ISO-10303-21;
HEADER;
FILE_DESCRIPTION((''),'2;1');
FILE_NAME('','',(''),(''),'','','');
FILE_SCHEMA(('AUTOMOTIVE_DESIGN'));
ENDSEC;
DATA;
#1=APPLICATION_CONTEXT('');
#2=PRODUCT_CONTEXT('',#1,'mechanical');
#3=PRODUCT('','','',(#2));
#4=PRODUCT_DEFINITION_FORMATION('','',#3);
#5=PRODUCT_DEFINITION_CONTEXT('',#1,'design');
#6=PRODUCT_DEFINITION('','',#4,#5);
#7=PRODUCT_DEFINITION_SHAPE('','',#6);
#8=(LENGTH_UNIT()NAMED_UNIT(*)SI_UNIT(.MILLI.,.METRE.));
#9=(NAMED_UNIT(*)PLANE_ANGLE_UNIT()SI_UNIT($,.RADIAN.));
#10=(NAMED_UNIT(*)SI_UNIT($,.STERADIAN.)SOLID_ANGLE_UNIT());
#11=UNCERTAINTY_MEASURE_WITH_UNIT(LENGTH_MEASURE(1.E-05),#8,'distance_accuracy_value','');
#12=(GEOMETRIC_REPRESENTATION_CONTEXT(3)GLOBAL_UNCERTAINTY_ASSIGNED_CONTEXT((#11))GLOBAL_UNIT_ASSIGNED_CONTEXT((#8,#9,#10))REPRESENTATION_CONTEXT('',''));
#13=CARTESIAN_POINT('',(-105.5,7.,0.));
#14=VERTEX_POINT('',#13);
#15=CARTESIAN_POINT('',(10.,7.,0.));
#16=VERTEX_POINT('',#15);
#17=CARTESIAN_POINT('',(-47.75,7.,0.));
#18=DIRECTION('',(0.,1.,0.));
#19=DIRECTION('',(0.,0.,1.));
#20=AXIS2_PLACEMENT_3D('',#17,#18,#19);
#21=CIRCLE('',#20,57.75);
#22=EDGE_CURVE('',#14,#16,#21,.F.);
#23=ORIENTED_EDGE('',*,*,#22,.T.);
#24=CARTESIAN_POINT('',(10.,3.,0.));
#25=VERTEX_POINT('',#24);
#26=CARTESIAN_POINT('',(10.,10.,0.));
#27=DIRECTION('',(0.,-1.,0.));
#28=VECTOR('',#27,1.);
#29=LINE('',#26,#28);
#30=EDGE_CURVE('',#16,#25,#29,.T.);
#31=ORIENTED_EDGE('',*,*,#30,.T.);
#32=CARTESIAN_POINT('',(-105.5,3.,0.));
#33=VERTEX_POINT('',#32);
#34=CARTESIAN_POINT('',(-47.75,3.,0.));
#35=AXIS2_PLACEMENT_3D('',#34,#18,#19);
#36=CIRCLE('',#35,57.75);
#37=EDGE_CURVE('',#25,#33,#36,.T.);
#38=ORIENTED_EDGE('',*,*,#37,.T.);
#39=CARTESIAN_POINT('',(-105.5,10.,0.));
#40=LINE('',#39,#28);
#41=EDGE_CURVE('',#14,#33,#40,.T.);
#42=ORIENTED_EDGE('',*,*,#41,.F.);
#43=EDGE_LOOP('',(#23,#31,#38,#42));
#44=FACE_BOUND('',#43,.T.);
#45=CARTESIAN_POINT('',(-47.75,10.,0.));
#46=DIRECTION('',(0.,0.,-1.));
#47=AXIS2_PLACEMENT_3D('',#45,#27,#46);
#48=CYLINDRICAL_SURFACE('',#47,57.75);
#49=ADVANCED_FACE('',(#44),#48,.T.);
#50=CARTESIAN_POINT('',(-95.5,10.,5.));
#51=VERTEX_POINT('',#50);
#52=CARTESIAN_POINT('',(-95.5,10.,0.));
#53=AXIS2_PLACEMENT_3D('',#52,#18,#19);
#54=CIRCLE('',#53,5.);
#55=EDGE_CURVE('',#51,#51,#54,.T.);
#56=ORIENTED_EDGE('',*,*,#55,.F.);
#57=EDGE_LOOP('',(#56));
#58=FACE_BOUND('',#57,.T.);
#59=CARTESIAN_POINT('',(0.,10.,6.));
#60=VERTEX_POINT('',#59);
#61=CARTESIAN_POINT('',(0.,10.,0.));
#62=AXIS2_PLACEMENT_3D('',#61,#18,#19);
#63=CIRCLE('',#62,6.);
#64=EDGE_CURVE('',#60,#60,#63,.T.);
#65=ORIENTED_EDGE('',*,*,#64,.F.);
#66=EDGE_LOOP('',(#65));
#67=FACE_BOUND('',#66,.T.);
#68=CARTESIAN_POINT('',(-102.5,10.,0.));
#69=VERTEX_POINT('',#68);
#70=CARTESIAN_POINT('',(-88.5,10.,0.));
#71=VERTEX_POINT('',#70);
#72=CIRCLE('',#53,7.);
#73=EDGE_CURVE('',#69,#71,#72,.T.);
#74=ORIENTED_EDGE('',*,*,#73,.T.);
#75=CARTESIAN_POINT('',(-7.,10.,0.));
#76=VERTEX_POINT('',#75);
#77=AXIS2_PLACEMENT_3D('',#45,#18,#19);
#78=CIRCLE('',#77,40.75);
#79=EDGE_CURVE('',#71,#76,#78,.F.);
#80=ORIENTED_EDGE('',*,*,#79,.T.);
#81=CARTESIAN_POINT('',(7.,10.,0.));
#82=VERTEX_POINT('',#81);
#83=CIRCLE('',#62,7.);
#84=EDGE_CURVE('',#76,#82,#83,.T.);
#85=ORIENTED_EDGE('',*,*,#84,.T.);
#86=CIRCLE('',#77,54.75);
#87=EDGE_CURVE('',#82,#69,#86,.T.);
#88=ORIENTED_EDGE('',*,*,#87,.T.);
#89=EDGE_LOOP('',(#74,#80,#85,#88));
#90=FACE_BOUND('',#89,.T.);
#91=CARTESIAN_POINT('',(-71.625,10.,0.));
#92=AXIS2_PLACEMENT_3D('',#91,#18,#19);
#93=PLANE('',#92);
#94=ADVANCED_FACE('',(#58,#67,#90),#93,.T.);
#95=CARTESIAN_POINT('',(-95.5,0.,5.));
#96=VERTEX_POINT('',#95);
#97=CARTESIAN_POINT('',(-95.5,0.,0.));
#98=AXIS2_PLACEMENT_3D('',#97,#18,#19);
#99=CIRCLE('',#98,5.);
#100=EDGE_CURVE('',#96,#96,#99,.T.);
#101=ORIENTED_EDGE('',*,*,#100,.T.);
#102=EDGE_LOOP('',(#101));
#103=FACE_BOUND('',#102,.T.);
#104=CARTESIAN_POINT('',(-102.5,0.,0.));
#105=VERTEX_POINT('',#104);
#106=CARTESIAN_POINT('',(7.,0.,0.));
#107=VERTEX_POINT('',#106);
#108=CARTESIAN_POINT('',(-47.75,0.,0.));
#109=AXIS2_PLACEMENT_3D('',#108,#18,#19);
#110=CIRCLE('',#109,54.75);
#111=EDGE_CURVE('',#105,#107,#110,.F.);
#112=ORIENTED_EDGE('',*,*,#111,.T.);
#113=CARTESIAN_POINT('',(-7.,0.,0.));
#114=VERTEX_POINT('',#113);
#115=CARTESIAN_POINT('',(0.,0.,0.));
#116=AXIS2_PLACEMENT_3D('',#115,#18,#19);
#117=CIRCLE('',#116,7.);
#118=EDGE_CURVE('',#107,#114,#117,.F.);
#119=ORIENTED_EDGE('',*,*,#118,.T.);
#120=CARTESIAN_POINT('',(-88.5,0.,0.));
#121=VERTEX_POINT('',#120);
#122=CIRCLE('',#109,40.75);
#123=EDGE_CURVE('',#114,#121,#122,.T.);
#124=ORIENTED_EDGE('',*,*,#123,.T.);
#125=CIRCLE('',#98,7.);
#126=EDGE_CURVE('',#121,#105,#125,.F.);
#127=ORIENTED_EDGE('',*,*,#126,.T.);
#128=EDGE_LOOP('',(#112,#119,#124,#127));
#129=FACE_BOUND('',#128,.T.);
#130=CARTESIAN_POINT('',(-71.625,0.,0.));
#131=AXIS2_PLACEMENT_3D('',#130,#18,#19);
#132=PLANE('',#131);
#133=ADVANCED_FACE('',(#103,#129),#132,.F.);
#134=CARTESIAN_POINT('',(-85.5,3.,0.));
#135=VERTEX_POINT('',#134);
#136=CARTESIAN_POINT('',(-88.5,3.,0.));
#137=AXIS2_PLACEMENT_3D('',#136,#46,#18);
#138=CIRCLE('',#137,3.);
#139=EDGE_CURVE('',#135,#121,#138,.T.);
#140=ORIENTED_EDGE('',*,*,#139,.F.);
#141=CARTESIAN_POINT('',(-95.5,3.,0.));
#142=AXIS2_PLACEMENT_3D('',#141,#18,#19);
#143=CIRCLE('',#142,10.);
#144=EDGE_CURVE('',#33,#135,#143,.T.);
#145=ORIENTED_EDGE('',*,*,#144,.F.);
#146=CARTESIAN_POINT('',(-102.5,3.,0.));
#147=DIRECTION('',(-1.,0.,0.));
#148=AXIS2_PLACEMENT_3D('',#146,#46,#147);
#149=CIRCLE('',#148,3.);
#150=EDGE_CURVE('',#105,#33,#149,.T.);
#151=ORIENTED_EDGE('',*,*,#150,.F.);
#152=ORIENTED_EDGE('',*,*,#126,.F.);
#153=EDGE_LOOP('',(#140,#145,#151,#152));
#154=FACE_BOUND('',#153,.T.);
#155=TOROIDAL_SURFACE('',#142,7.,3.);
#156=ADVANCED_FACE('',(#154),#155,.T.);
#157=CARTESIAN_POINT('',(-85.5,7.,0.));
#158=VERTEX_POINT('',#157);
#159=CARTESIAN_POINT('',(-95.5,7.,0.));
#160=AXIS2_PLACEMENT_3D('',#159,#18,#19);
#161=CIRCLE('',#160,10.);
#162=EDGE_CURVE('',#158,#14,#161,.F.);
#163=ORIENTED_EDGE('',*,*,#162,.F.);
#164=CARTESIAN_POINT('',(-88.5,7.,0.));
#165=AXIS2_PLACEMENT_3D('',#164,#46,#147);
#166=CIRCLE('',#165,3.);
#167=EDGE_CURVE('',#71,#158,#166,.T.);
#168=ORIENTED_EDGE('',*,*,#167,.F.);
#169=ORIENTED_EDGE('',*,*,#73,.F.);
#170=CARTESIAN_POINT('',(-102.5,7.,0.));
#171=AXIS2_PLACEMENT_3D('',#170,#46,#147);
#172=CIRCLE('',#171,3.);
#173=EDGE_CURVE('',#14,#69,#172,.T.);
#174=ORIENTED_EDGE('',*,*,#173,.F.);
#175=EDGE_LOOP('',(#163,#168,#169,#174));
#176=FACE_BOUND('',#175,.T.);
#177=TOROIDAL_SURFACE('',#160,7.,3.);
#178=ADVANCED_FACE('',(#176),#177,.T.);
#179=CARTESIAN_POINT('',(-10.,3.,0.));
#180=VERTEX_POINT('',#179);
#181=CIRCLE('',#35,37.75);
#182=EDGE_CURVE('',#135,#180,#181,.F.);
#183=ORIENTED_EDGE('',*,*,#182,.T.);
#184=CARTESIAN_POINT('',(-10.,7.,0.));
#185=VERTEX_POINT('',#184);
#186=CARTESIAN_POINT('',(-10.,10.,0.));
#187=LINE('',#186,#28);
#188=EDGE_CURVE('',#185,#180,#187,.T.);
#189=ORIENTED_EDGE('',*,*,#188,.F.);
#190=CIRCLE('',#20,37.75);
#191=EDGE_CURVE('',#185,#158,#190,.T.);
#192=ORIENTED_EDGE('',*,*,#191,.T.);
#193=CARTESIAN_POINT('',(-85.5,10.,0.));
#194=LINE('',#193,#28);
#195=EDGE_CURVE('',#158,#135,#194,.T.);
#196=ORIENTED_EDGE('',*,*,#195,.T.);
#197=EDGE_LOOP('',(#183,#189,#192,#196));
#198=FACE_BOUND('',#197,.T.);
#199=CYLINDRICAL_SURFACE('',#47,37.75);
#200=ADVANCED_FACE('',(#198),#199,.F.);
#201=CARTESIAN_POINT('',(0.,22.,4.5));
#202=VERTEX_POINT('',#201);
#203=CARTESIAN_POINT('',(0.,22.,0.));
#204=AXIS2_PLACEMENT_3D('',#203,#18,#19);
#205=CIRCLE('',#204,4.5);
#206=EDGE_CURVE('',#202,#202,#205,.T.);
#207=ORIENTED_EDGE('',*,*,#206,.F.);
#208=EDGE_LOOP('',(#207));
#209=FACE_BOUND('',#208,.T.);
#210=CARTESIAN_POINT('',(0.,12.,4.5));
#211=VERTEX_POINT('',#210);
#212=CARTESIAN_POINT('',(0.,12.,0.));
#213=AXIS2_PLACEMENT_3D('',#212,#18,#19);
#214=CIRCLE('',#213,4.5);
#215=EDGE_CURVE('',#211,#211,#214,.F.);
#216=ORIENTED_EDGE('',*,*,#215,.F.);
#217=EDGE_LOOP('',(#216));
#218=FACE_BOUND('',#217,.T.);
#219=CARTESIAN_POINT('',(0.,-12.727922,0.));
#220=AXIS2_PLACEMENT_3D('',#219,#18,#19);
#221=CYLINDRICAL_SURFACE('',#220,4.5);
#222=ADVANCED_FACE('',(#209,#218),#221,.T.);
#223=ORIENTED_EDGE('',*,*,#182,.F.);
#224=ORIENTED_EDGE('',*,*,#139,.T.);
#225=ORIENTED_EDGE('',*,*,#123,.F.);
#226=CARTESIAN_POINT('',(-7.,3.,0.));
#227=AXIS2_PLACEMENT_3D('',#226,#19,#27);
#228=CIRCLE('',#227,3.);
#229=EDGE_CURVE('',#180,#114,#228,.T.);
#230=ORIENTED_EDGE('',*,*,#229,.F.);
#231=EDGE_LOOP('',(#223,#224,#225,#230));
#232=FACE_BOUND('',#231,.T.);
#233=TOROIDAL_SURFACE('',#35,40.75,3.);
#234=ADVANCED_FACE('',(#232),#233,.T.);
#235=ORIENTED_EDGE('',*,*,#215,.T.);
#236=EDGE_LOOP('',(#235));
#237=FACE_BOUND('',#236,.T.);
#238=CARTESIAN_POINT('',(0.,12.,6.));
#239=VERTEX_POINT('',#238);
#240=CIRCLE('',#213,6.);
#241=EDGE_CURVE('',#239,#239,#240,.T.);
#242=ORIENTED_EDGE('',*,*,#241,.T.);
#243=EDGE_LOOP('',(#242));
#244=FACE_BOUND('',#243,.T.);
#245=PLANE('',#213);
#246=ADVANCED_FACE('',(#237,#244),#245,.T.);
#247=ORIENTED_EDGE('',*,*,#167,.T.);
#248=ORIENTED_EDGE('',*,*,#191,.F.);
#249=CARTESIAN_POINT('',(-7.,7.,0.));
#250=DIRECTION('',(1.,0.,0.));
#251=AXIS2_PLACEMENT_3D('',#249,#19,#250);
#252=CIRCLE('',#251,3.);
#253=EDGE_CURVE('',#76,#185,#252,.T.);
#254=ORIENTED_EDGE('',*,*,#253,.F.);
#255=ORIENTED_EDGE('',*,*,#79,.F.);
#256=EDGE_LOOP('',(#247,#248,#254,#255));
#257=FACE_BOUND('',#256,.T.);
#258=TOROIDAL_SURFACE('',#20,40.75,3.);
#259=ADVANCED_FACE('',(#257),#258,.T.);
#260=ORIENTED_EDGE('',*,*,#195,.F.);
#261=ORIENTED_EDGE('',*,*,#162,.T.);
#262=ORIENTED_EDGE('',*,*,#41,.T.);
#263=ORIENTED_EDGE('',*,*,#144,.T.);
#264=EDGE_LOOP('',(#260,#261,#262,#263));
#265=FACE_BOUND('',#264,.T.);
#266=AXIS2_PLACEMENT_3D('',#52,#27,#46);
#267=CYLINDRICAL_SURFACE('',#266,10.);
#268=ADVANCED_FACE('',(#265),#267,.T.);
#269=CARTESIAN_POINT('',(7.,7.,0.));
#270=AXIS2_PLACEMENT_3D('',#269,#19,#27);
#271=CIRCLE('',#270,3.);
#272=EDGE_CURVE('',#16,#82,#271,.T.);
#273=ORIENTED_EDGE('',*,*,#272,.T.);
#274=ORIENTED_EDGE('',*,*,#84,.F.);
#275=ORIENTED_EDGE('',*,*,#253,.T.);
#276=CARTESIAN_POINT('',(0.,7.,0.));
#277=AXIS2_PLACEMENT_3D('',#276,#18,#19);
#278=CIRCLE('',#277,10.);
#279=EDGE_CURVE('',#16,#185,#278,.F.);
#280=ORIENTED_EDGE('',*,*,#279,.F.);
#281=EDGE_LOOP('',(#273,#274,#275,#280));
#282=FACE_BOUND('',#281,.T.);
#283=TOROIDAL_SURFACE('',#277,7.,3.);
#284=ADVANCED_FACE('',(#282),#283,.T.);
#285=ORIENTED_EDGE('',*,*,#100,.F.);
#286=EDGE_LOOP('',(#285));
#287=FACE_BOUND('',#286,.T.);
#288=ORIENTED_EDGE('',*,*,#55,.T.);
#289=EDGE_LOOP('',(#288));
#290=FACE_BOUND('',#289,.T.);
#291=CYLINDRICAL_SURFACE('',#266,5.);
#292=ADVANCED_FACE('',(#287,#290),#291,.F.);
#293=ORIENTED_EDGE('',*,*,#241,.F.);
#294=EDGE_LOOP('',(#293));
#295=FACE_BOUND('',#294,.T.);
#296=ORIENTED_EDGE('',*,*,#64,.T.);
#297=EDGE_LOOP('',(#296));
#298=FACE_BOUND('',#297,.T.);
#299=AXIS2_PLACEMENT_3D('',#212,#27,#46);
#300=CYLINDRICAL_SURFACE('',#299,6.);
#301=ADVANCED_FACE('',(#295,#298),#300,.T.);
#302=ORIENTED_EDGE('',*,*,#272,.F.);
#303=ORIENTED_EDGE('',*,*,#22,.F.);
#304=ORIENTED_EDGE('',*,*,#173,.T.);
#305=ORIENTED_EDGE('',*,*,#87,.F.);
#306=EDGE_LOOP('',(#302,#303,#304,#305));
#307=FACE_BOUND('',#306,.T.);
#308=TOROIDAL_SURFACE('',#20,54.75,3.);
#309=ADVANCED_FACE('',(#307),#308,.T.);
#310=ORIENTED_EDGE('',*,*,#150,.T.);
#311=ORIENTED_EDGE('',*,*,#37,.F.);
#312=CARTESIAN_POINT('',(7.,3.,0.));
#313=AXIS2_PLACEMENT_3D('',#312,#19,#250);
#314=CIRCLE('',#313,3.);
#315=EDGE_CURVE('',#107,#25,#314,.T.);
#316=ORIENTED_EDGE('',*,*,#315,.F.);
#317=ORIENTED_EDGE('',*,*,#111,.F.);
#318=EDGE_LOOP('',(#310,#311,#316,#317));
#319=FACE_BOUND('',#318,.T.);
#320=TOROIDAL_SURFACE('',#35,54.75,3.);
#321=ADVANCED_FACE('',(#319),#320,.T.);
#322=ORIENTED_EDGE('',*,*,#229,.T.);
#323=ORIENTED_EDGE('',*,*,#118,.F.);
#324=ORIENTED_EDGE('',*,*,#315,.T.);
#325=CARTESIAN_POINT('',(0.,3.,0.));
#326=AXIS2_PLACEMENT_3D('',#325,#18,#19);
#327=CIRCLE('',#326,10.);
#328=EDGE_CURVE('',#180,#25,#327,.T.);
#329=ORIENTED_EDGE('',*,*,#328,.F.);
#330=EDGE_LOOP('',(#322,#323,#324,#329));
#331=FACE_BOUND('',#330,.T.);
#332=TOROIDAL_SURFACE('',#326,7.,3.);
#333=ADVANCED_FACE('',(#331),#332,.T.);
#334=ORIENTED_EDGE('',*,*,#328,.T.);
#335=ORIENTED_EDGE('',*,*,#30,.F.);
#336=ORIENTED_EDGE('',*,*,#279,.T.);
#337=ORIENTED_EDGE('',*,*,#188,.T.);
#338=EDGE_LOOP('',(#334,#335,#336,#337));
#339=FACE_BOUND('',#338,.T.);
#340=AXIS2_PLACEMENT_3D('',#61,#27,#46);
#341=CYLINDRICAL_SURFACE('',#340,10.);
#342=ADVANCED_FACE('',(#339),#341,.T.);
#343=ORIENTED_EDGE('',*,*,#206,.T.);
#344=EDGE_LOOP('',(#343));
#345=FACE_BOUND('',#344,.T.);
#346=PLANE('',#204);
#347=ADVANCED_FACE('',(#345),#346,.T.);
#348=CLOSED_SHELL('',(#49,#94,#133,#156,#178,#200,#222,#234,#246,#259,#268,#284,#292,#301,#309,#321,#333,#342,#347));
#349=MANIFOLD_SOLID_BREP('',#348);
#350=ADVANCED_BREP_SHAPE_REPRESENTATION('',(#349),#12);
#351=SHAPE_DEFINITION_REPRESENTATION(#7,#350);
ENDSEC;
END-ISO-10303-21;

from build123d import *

# Parameters (mm, degrees)
SKETCH1_R                = 5
BOSS_EXTRUDE1_DEPTH      = 10
SKETCH2_R                = 4.5
BOSS_EXTRUDE2_DEPTH      = 12
BOSS_EXTRUDE2_DEPTH_BACK = 10
SKETCH3_R                = 5
BOSS_EXTRUDE3_DEPTH      = 10
SKETCH4_R                = 6
BOSS_EXTRUDE4_DEPTH      = 2
FILLET1_R                = 3


with BuildPart() as part:
    # Sketch1 → Boss-Extrude1 (new body)
    with BuildSketch(Plane(origin=(0, 0, 0), x_dir=(1, 0, 0), z_dir=(0, 1, 0))):
        with BuildLine():
            ThreePointArc((-10, 0), (0, -10), (10, 0))
            ThreePointArc((10, 0), (-47.75, 57.75), (-105.5, 0))
            ThreePointArc((-105.5, 0), (-95.5, -10), (-85.5, 0))
            ThreePointArc((-85.5, 0), (-47.75, 37.75), (-10, 0))
        make_face()
        with Locations((-95.5, 0)):
            Circle(SKETCH1_R, mode=Mode.SUBTRACT)
        Circle(SKETCH1_R, mode=Mode.SUBTRACT)
    extrude(amount=BOSS_EXTRUDE1_DEPTH)



with BuildPart() as body_2:
    # Sketch2 → Boss-Extrude2 (new body, two sides)
    with BuildSketch(Plane(origin=(0, 10, 0), x_dir=(1, 0, 0), z_dir=(0, 1, 0))) as boss_extrude2_sk:
        Circle(SKETCH2_R)
    extrude(amount=BOSS_EXTRUDE2_DEPTH)
    extrude(boss_extrude2_sk.sketch, amount=-BOSS_EXTRUDE2_DEPTH_BACK)


with BuildPart() as part_1:
    add(part.part)

    add(body_2.part)  # Boss-Extrude3 merges body 2
    # Sketch3 → Boss-Extrude3 (add)
    with BuildSketch(Plane(origin=(0, 10, 0), x_dir=(1, 0, 0), z_dir=(0, 1, 0))):
        Circle(SKETCH3_R)
    extrude(amount=-BOSS_EXTRUDE3_DEPTH)

    # Sketch4 → Boss-Extrude4 (add)
    with BuildSketch(Plane(origin=(0, 10, 0), x_dir=(1, 0, 0), z_dir=(0, 1, 0))):
        Circle(SKETCH4_R)
    extrude(amount=BOSS_EXTRUDE4_DEPTH)

    # Fillet1
    fillet1_edges = [part_1.edges().sort_by_distance(p)[0] for p in [
        (-47.75, 10, -37.75),
        (0, 10, 10),
        (-47.75, 10, -57.75),
        (0, 0, 10),
        (-47.75, 0, -37.75),
        (-95.5, 0, 10),
        (-47.75, 0, -57.75),
        (-95.5, 10, 10),
    ]]
    fillet(fillet1_edges, radius=FILLET1_R)


solid = part_1.part
